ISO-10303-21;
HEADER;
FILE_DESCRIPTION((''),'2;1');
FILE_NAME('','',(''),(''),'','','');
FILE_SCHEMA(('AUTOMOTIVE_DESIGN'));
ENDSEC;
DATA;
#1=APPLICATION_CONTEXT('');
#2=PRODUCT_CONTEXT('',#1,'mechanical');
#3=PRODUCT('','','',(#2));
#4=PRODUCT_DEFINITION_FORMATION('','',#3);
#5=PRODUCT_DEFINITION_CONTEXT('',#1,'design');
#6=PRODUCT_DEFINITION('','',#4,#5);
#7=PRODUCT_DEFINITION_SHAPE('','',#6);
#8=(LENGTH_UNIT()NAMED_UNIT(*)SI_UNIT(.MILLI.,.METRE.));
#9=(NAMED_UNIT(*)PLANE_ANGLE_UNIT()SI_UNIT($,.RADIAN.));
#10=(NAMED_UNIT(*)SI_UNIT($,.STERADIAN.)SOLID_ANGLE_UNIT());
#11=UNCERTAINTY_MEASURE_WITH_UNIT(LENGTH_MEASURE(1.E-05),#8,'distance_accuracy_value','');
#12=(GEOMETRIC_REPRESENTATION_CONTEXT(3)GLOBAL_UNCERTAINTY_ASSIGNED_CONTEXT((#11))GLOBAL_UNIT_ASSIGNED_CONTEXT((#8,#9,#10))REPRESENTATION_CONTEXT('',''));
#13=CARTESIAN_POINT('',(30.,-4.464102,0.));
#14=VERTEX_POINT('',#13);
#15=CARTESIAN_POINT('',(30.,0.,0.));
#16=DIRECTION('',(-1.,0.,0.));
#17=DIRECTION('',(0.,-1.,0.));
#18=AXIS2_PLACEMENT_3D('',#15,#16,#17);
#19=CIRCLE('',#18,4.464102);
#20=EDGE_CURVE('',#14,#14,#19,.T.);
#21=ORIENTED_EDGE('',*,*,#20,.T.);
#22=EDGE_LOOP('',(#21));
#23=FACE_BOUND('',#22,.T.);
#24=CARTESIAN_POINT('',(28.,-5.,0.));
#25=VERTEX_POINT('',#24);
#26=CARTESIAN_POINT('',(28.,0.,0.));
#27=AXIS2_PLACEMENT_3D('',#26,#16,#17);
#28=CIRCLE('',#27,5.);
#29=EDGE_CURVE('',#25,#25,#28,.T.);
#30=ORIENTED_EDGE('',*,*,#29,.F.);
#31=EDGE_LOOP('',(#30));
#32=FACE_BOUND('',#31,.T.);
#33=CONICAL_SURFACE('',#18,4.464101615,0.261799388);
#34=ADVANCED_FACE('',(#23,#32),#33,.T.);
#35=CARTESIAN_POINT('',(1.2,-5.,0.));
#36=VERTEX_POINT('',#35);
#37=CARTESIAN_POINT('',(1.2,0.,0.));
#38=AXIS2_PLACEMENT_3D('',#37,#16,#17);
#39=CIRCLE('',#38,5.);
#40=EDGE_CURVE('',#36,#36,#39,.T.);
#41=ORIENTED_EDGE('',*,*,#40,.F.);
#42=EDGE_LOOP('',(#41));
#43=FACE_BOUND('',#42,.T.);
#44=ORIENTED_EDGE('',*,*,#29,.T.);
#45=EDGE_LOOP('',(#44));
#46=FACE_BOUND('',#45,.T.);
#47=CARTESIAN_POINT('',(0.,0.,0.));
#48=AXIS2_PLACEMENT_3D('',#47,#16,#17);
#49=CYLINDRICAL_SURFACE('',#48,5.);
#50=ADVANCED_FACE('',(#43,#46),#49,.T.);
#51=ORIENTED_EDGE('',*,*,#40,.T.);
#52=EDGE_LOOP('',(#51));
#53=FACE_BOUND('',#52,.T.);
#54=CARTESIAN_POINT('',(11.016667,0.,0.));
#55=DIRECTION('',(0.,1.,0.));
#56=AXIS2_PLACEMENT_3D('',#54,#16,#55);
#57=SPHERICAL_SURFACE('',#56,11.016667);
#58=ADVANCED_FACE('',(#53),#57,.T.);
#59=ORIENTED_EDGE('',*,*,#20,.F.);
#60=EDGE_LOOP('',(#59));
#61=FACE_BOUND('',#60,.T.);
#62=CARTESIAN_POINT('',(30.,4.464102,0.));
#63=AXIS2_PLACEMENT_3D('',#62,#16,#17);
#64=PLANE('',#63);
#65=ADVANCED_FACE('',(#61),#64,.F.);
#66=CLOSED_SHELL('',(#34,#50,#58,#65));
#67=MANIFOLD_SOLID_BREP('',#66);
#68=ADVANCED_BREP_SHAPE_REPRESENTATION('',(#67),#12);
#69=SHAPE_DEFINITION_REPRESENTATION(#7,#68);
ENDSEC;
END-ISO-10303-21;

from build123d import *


with BuildPart() as part:
    # BodySke → Body (revolve)
    with BuildSketch(Plane.XY, mode=Mode.PRIVATE) as body_sk:
        with BuildLine():
            Line((28, 5), (30, 4.464101615))
            Line((30, 4.464101615), (30, 0))
            Line((30, 0), (0, 0))
            ThreePointArc((0, 0), (0.30419989, 2.570992026), (1.2, 5))
            Line((1.2, 5), (28, 5))
        make_face()
    revolve(body_sk.sketch.rotate(Axis((0, 0, 0), (1, 0, 0)), 180), axis=Axis((0, 0, 0), (1, 0, 0)))


solid = part.part
